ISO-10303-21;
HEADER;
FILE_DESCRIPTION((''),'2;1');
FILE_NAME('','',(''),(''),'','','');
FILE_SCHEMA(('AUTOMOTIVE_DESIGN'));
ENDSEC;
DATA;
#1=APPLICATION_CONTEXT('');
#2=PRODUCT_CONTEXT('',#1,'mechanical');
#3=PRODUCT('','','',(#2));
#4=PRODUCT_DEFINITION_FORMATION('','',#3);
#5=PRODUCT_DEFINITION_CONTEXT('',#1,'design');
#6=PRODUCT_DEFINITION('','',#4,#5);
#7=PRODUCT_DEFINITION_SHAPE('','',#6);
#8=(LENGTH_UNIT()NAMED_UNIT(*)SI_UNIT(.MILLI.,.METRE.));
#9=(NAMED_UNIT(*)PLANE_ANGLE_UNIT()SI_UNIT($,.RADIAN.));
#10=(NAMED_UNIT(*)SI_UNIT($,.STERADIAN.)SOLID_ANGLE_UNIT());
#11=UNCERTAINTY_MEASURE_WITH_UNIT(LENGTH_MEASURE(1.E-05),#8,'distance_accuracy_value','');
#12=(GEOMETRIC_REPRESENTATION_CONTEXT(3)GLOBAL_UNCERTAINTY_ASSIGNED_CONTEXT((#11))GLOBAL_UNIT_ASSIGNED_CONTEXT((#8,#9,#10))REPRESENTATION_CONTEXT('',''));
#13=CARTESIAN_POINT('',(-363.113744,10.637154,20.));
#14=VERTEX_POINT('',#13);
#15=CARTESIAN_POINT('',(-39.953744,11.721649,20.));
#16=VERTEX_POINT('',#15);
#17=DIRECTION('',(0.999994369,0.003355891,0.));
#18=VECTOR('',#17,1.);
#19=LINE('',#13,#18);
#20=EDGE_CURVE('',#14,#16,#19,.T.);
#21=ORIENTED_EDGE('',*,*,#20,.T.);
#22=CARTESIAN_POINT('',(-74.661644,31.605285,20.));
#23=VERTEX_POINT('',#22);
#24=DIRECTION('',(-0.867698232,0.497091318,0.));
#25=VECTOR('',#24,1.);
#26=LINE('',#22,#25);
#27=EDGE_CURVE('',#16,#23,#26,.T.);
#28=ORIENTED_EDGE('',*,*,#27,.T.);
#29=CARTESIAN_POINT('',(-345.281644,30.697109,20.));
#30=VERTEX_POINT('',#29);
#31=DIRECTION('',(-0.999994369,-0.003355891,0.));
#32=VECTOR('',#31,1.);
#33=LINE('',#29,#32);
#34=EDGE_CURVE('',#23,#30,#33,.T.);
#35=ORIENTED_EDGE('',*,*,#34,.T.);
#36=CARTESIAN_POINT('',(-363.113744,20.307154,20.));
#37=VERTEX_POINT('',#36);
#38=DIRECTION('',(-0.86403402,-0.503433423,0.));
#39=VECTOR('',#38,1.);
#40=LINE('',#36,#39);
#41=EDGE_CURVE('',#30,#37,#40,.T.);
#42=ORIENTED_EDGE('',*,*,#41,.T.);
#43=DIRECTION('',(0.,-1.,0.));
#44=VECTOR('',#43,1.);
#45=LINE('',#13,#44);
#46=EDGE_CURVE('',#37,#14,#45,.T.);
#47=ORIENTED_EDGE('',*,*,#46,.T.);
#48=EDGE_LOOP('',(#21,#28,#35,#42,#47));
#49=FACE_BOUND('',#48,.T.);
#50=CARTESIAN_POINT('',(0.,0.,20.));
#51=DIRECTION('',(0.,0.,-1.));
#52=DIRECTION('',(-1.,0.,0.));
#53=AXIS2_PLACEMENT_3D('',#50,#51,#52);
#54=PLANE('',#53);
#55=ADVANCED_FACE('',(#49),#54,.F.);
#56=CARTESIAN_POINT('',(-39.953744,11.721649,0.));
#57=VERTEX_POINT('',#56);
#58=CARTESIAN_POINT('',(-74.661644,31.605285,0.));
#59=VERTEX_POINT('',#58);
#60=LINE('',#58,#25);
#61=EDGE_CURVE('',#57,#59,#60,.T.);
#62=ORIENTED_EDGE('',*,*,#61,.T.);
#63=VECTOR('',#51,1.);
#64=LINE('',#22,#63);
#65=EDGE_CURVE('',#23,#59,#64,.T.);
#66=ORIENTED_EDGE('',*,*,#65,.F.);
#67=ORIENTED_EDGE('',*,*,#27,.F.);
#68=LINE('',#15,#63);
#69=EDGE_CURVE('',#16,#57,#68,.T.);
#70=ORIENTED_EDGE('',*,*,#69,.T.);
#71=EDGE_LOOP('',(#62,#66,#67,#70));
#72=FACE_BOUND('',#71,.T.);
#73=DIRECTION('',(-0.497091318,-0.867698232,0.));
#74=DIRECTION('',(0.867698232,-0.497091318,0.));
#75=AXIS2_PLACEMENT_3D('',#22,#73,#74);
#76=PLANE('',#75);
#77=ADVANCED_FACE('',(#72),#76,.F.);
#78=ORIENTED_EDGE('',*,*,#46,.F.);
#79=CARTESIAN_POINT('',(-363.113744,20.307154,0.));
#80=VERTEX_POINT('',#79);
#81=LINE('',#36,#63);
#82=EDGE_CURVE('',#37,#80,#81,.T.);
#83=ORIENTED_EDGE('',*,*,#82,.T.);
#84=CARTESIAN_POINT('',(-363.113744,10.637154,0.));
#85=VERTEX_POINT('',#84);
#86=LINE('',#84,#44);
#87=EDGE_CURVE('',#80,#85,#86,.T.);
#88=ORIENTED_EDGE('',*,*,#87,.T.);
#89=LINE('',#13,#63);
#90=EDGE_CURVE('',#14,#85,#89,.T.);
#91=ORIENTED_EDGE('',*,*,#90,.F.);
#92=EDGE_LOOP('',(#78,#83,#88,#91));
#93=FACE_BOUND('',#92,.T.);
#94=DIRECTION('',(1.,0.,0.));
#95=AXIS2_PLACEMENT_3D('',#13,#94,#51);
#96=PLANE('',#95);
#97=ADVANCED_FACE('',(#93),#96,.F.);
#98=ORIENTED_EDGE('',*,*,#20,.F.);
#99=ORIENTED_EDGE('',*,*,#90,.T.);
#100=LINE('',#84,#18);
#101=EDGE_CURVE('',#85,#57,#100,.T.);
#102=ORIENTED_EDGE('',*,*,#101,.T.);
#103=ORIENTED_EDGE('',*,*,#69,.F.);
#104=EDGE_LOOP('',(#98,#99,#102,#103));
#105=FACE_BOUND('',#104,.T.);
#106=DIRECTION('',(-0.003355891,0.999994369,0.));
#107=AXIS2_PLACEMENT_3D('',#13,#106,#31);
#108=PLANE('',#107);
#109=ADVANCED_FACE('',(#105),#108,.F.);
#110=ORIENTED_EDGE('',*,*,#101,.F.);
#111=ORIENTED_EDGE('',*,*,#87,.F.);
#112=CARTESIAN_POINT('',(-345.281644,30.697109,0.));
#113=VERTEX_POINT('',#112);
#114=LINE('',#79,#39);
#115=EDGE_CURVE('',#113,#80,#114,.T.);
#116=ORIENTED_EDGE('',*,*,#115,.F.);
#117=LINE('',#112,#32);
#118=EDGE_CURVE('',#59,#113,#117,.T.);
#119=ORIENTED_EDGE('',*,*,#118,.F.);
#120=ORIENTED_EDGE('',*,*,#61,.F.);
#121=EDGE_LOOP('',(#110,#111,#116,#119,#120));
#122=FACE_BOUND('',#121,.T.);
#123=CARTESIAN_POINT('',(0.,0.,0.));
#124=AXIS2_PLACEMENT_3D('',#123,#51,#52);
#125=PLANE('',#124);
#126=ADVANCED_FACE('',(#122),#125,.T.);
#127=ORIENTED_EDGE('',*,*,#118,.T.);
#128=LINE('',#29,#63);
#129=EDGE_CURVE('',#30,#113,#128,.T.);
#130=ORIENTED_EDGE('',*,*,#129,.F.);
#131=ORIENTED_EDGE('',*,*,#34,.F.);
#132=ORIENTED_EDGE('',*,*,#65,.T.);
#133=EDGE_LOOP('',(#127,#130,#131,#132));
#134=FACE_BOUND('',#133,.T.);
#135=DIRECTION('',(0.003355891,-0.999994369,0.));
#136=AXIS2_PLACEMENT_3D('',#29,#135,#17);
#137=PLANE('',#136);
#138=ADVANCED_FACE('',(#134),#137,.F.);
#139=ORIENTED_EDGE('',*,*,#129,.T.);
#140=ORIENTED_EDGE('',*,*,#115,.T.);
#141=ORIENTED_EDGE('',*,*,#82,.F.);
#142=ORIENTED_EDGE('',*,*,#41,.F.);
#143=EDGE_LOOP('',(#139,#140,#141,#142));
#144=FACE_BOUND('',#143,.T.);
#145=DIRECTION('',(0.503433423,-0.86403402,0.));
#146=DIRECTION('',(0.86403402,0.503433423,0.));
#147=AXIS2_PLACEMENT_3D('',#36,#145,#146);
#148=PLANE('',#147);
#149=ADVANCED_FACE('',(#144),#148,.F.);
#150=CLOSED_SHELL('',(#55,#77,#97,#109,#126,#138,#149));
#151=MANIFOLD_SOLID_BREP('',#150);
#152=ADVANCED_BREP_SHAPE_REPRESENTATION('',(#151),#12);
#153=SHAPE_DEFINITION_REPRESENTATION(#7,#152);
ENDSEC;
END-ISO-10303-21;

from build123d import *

# Parameters (mm, degrees)
BOSS_EXTRUDE1_DEPTH = 20


with BuildPart() as part:
    # Sketch1 → Boss-Extrude1 (new body)
    with BuildSketch(Plane.XY):
        Polygon((-345.281644436, 30.697109203), (-74.661644436, 31.605285462), (-39.953744253, 11.721649416), (-363.113744253, 10.637153667), (-363.113744253, 20.307153667), align=None)
    extrude(amount=BOSS_EXTRUDE1_DEPTH)


solid = part.part
